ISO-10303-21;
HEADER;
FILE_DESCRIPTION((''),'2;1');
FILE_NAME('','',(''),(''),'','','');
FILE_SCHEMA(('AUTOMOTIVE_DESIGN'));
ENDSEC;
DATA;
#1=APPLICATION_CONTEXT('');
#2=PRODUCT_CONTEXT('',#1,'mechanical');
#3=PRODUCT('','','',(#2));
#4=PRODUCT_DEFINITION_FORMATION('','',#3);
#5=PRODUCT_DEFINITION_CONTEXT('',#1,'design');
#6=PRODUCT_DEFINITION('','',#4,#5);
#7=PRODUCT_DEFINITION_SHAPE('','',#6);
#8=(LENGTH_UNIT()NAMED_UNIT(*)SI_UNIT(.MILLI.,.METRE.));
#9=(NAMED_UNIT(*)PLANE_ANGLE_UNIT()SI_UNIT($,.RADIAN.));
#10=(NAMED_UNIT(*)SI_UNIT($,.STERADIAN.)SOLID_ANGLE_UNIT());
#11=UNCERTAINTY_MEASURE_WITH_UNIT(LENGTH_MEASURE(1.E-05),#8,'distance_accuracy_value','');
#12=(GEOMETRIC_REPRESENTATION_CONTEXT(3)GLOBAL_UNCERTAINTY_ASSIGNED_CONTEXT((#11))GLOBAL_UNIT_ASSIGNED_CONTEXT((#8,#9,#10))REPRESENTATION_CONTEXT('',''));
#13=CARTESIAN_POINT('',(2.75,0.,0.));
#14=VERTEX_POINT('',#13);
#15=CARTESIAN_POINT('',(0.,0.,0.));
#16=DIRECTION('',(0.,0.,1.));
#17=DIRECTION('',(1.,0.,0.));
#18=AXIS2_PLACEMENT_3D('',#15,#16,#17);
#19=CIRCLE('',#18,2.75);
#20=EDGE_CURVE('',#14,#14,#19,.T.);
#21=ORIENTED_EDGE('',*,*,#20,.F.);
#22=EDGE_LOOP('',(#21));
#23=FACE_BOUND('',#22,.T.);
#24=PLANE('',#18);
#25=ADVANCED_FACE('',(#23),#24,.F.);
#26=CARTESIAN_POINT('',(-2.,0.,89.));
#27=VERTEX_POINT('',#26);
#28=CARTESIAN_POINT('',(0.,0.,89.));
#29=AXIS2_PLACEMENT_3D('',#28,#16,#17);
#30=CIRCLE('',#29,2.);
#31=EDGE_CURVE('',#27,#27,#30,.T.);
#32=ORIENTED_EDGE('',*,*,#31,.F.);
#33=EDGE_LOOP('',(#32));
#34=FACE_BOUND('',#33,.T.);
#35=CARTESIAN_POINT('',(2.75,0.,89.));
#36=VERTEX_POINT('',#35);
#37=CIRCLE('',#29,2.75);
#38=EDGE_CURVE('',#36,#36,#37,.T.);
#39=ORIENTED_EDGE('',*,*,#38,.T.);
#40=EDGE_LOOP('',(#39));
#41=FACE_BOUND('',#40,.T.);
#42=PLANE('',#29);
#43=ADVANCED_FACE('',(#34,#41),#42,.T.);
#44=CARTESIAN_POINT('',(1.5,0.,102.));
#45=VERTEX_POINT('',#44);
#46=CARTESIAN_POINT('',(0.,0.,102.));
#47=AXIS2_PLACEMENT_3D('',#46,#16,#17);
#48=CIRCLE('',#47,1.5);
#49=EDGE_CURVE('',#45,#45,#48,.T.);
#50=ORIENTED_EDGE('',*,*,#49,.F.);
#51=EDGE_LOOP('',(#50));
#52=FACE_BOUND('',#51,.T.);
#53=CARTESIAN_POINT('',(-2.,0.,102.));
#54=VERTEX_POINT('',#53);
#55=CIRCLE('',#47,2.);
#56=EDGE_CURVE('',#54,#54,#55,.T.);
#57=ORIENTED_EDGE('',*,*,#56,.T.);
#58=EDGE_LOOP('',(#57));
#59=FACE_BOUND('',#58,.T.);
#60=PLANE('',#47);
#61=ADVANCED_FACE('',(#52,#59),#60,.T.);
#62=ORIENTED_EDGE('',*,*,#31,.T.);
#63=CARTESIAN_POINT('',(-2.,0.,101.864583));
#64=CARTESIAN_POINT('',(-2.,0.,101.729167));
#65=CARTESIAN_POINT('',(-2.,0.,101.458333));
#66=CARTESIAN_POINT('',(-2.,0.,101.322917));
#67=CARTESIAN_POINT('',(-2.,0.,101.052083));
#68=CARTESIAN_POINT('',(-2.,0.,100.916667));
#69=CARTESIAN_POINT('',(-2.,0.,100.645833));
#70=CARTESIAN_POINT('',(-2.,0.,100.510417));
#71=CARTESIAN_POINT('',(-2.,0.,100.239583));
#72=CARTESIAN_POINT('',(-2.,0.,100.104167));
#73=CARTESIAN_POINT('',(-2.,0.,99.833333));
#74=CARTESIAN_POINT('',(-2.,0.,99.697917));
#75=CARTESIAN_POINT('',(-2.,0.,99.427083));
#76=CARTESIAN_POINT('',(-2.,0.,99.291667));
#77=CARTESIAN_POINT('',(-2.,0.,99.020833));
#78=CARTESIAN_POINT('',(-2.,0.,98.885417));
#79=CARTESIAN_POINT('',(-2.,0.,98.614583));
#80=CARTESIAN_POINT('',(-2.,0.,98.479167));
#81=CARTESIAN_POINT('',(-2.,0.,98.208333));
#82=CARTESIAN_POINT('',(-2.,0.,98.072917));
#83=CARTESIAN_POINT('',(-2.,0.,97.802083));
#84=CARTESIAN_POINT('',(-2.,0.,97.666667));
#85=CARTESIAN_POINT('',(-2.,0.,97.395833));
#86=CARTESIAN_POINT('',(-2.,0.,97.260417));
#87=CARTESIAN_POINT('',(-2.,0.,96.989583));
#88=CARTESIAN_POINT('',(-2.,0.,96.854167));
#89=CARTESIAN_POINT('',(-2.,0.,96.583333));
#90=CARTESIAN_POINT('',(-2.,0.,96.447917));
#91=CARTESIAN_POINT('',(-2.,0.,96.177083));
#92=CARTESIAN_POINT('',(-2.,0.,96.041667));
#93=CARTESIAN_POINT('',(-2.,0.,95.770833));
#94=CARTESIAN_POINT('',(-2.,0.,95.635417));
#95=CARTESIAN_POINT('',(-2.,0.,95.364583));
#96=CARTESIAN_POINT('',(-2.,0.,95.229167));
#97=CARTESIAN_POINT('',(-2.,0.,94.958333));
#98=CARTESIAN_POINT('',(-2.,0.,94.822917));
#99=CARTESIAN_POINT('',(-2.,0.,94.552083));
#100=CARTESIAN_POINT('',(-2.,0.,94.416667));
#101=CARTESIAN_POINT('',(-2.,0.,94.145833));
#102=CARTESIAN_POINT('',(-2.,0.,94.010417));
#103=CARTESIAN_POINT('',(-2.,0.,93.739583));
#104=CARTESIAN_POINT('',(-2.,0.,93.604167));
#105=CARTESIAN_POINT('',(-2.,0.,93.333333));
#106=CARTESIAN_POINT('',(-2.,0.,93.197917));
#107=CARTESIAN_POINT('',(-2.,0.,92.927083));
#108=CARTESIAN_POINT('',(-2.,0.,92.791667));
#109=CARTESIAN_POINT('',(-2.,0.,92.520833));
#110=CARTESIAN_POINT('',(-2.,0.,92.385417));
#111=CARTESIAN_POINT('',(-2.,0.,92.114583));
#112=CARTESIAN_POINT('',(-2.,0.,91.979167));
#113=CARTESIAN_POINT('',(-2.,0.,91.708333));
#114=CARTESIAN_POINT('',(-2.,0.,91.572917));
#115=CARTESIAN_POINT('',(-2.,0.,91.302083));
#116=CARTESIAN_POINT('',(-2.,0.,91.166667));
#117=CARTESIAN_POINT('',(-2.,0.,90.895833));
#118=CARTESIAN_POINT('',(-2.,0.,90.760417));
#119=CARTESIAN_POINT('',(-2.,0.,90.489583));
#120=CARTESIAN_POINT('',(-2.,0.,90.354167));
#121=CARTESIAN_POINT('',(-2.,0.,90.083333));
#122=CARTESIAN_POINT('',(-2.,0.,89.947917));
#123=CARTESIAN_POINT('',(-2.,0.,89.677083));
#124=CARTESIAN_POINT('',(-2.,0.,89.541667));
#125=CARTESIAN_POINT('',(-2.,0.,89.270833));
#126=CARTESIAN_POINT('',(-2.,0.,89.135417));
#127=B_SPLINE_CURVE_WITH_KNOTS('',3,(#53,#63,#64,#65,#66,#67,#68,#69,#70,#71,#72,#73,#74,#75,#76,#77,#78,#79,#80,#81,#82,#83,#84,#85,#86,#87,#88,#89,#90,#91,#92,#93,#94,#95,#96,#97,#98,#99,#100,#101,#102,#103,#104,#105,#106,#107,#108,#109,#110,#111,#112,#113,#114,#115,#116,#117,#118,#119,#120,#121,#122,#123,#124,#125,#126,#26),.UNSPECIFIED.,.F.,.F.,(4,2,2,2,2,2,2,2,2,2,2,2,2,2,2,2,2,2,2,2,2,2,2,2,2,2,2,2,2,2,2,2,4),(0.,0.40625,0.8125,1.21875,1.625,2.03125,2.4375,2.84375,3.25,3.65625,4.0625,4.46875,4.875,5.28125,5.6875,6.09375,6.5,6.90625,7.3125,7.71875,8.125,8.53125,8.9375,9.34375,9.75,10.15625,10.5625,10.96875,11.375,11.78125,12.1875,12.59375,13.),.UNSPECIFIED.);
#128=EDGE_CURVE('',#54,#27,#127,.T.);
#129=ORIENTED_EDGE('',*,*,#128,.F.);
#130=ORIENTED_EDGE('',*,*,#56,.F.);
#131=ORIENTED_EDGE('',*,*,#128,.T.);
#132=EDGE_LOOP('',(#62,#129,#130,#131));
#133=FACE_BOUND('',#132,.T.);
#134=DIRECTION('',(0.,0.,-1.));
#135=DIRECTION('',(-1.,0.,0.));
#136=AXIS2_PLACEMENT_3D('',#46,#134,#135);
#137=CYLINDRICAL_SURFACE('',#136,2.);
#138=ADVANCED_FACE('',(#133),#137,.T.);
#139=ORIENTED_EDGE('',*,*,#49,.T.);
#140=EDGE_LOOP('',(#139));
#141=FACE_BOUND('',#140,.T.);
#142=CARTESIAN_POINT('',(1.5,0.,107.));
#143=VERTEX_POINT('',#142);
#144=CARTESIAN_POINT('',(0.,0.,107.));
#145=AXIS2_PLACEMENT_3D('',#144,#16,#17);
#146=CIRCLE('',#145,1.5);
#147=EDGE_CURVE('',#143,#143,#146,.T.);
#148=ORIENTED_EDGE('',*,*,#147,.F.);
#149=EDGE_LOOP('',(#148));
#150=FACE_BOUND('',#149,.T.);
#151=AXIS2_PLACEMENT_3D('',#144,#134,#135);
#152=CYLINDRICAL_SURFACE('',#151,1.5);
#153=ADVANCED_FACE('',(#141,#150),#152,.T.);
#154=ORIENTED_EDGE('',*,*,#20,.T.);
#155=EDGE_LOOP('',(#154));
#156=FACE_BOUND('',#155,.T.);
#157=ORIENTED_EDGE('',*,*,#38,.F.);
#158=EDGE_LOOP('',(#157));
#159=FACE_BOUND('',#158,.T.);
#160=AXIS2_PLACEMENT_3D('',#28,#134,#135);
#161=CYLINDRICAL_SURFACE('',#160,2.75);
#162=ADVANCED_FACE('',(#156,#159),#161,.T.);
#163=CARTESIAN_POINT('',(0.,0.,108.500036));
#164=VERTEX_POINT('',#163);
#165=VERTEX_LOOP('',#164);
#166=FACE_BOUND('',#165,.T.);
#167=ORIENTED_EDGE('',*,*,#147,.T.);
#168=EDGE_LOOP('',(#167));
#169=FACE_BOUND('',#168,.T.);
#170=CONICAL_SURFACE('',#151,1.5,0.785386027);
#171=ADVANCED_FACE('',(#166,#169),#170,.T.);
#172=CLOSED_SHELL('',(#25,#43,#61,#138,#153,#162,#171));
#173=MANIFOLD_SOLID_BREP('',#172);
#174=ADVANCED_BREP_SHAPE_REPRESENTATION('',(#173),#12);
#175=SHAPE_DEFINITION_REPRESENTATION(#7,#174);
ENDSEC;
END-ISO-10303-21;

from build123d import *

# Parameters (mm, degrees)
SKETCH_1_R      = 2.75
EXTRUDE_1_DEPTH = 89
SKETCH_2_R      = 2
EXTRUDE_2_DEPTH = 13
SKETCH_3_R      = 1.5
EXTRUDE_3_DEPTH = 5


with BuildPart() as part:
    # 草图1 → 凸台-拉伸1 (new body)
    with BuildSketch(Plane.XY):
        Circle(SKETCH_1_R)
    extrude(amount=EXTRUDE_1_DEPTH)

    # 草图2 → 凸台-拉伸2 (add)
    with BuildSketch(Plane.XY.offset(89)):
        with Locations(Location((0, 0, 0), (0, 0, 180))):
            Circle(SKETCH_2_R)
    extrude(amount=EXTRUDE_2_DEPTH)

    # 草图3 → 凸台-拉伸3 (add)
    with BuildSketch(Plane.XY.offset(102)):
        Circle(SKETCH_3_R)
    extrude(amount=EXTRUDE_3_DEPTH)

    # 草图4 → 旋转1 (revolve)
    with BuildSketch(Plane(origin=(0, 0, 0), x_dir=(1, 0, 0), z_dir=(0, 1, 0))):
        Polygon((0, -107), (0, -108.500036411), (-1.5, -107), align=None)
    revolve(axis=Axis((0, 0, 107), (0, 0, 1)))


solid = part.part
